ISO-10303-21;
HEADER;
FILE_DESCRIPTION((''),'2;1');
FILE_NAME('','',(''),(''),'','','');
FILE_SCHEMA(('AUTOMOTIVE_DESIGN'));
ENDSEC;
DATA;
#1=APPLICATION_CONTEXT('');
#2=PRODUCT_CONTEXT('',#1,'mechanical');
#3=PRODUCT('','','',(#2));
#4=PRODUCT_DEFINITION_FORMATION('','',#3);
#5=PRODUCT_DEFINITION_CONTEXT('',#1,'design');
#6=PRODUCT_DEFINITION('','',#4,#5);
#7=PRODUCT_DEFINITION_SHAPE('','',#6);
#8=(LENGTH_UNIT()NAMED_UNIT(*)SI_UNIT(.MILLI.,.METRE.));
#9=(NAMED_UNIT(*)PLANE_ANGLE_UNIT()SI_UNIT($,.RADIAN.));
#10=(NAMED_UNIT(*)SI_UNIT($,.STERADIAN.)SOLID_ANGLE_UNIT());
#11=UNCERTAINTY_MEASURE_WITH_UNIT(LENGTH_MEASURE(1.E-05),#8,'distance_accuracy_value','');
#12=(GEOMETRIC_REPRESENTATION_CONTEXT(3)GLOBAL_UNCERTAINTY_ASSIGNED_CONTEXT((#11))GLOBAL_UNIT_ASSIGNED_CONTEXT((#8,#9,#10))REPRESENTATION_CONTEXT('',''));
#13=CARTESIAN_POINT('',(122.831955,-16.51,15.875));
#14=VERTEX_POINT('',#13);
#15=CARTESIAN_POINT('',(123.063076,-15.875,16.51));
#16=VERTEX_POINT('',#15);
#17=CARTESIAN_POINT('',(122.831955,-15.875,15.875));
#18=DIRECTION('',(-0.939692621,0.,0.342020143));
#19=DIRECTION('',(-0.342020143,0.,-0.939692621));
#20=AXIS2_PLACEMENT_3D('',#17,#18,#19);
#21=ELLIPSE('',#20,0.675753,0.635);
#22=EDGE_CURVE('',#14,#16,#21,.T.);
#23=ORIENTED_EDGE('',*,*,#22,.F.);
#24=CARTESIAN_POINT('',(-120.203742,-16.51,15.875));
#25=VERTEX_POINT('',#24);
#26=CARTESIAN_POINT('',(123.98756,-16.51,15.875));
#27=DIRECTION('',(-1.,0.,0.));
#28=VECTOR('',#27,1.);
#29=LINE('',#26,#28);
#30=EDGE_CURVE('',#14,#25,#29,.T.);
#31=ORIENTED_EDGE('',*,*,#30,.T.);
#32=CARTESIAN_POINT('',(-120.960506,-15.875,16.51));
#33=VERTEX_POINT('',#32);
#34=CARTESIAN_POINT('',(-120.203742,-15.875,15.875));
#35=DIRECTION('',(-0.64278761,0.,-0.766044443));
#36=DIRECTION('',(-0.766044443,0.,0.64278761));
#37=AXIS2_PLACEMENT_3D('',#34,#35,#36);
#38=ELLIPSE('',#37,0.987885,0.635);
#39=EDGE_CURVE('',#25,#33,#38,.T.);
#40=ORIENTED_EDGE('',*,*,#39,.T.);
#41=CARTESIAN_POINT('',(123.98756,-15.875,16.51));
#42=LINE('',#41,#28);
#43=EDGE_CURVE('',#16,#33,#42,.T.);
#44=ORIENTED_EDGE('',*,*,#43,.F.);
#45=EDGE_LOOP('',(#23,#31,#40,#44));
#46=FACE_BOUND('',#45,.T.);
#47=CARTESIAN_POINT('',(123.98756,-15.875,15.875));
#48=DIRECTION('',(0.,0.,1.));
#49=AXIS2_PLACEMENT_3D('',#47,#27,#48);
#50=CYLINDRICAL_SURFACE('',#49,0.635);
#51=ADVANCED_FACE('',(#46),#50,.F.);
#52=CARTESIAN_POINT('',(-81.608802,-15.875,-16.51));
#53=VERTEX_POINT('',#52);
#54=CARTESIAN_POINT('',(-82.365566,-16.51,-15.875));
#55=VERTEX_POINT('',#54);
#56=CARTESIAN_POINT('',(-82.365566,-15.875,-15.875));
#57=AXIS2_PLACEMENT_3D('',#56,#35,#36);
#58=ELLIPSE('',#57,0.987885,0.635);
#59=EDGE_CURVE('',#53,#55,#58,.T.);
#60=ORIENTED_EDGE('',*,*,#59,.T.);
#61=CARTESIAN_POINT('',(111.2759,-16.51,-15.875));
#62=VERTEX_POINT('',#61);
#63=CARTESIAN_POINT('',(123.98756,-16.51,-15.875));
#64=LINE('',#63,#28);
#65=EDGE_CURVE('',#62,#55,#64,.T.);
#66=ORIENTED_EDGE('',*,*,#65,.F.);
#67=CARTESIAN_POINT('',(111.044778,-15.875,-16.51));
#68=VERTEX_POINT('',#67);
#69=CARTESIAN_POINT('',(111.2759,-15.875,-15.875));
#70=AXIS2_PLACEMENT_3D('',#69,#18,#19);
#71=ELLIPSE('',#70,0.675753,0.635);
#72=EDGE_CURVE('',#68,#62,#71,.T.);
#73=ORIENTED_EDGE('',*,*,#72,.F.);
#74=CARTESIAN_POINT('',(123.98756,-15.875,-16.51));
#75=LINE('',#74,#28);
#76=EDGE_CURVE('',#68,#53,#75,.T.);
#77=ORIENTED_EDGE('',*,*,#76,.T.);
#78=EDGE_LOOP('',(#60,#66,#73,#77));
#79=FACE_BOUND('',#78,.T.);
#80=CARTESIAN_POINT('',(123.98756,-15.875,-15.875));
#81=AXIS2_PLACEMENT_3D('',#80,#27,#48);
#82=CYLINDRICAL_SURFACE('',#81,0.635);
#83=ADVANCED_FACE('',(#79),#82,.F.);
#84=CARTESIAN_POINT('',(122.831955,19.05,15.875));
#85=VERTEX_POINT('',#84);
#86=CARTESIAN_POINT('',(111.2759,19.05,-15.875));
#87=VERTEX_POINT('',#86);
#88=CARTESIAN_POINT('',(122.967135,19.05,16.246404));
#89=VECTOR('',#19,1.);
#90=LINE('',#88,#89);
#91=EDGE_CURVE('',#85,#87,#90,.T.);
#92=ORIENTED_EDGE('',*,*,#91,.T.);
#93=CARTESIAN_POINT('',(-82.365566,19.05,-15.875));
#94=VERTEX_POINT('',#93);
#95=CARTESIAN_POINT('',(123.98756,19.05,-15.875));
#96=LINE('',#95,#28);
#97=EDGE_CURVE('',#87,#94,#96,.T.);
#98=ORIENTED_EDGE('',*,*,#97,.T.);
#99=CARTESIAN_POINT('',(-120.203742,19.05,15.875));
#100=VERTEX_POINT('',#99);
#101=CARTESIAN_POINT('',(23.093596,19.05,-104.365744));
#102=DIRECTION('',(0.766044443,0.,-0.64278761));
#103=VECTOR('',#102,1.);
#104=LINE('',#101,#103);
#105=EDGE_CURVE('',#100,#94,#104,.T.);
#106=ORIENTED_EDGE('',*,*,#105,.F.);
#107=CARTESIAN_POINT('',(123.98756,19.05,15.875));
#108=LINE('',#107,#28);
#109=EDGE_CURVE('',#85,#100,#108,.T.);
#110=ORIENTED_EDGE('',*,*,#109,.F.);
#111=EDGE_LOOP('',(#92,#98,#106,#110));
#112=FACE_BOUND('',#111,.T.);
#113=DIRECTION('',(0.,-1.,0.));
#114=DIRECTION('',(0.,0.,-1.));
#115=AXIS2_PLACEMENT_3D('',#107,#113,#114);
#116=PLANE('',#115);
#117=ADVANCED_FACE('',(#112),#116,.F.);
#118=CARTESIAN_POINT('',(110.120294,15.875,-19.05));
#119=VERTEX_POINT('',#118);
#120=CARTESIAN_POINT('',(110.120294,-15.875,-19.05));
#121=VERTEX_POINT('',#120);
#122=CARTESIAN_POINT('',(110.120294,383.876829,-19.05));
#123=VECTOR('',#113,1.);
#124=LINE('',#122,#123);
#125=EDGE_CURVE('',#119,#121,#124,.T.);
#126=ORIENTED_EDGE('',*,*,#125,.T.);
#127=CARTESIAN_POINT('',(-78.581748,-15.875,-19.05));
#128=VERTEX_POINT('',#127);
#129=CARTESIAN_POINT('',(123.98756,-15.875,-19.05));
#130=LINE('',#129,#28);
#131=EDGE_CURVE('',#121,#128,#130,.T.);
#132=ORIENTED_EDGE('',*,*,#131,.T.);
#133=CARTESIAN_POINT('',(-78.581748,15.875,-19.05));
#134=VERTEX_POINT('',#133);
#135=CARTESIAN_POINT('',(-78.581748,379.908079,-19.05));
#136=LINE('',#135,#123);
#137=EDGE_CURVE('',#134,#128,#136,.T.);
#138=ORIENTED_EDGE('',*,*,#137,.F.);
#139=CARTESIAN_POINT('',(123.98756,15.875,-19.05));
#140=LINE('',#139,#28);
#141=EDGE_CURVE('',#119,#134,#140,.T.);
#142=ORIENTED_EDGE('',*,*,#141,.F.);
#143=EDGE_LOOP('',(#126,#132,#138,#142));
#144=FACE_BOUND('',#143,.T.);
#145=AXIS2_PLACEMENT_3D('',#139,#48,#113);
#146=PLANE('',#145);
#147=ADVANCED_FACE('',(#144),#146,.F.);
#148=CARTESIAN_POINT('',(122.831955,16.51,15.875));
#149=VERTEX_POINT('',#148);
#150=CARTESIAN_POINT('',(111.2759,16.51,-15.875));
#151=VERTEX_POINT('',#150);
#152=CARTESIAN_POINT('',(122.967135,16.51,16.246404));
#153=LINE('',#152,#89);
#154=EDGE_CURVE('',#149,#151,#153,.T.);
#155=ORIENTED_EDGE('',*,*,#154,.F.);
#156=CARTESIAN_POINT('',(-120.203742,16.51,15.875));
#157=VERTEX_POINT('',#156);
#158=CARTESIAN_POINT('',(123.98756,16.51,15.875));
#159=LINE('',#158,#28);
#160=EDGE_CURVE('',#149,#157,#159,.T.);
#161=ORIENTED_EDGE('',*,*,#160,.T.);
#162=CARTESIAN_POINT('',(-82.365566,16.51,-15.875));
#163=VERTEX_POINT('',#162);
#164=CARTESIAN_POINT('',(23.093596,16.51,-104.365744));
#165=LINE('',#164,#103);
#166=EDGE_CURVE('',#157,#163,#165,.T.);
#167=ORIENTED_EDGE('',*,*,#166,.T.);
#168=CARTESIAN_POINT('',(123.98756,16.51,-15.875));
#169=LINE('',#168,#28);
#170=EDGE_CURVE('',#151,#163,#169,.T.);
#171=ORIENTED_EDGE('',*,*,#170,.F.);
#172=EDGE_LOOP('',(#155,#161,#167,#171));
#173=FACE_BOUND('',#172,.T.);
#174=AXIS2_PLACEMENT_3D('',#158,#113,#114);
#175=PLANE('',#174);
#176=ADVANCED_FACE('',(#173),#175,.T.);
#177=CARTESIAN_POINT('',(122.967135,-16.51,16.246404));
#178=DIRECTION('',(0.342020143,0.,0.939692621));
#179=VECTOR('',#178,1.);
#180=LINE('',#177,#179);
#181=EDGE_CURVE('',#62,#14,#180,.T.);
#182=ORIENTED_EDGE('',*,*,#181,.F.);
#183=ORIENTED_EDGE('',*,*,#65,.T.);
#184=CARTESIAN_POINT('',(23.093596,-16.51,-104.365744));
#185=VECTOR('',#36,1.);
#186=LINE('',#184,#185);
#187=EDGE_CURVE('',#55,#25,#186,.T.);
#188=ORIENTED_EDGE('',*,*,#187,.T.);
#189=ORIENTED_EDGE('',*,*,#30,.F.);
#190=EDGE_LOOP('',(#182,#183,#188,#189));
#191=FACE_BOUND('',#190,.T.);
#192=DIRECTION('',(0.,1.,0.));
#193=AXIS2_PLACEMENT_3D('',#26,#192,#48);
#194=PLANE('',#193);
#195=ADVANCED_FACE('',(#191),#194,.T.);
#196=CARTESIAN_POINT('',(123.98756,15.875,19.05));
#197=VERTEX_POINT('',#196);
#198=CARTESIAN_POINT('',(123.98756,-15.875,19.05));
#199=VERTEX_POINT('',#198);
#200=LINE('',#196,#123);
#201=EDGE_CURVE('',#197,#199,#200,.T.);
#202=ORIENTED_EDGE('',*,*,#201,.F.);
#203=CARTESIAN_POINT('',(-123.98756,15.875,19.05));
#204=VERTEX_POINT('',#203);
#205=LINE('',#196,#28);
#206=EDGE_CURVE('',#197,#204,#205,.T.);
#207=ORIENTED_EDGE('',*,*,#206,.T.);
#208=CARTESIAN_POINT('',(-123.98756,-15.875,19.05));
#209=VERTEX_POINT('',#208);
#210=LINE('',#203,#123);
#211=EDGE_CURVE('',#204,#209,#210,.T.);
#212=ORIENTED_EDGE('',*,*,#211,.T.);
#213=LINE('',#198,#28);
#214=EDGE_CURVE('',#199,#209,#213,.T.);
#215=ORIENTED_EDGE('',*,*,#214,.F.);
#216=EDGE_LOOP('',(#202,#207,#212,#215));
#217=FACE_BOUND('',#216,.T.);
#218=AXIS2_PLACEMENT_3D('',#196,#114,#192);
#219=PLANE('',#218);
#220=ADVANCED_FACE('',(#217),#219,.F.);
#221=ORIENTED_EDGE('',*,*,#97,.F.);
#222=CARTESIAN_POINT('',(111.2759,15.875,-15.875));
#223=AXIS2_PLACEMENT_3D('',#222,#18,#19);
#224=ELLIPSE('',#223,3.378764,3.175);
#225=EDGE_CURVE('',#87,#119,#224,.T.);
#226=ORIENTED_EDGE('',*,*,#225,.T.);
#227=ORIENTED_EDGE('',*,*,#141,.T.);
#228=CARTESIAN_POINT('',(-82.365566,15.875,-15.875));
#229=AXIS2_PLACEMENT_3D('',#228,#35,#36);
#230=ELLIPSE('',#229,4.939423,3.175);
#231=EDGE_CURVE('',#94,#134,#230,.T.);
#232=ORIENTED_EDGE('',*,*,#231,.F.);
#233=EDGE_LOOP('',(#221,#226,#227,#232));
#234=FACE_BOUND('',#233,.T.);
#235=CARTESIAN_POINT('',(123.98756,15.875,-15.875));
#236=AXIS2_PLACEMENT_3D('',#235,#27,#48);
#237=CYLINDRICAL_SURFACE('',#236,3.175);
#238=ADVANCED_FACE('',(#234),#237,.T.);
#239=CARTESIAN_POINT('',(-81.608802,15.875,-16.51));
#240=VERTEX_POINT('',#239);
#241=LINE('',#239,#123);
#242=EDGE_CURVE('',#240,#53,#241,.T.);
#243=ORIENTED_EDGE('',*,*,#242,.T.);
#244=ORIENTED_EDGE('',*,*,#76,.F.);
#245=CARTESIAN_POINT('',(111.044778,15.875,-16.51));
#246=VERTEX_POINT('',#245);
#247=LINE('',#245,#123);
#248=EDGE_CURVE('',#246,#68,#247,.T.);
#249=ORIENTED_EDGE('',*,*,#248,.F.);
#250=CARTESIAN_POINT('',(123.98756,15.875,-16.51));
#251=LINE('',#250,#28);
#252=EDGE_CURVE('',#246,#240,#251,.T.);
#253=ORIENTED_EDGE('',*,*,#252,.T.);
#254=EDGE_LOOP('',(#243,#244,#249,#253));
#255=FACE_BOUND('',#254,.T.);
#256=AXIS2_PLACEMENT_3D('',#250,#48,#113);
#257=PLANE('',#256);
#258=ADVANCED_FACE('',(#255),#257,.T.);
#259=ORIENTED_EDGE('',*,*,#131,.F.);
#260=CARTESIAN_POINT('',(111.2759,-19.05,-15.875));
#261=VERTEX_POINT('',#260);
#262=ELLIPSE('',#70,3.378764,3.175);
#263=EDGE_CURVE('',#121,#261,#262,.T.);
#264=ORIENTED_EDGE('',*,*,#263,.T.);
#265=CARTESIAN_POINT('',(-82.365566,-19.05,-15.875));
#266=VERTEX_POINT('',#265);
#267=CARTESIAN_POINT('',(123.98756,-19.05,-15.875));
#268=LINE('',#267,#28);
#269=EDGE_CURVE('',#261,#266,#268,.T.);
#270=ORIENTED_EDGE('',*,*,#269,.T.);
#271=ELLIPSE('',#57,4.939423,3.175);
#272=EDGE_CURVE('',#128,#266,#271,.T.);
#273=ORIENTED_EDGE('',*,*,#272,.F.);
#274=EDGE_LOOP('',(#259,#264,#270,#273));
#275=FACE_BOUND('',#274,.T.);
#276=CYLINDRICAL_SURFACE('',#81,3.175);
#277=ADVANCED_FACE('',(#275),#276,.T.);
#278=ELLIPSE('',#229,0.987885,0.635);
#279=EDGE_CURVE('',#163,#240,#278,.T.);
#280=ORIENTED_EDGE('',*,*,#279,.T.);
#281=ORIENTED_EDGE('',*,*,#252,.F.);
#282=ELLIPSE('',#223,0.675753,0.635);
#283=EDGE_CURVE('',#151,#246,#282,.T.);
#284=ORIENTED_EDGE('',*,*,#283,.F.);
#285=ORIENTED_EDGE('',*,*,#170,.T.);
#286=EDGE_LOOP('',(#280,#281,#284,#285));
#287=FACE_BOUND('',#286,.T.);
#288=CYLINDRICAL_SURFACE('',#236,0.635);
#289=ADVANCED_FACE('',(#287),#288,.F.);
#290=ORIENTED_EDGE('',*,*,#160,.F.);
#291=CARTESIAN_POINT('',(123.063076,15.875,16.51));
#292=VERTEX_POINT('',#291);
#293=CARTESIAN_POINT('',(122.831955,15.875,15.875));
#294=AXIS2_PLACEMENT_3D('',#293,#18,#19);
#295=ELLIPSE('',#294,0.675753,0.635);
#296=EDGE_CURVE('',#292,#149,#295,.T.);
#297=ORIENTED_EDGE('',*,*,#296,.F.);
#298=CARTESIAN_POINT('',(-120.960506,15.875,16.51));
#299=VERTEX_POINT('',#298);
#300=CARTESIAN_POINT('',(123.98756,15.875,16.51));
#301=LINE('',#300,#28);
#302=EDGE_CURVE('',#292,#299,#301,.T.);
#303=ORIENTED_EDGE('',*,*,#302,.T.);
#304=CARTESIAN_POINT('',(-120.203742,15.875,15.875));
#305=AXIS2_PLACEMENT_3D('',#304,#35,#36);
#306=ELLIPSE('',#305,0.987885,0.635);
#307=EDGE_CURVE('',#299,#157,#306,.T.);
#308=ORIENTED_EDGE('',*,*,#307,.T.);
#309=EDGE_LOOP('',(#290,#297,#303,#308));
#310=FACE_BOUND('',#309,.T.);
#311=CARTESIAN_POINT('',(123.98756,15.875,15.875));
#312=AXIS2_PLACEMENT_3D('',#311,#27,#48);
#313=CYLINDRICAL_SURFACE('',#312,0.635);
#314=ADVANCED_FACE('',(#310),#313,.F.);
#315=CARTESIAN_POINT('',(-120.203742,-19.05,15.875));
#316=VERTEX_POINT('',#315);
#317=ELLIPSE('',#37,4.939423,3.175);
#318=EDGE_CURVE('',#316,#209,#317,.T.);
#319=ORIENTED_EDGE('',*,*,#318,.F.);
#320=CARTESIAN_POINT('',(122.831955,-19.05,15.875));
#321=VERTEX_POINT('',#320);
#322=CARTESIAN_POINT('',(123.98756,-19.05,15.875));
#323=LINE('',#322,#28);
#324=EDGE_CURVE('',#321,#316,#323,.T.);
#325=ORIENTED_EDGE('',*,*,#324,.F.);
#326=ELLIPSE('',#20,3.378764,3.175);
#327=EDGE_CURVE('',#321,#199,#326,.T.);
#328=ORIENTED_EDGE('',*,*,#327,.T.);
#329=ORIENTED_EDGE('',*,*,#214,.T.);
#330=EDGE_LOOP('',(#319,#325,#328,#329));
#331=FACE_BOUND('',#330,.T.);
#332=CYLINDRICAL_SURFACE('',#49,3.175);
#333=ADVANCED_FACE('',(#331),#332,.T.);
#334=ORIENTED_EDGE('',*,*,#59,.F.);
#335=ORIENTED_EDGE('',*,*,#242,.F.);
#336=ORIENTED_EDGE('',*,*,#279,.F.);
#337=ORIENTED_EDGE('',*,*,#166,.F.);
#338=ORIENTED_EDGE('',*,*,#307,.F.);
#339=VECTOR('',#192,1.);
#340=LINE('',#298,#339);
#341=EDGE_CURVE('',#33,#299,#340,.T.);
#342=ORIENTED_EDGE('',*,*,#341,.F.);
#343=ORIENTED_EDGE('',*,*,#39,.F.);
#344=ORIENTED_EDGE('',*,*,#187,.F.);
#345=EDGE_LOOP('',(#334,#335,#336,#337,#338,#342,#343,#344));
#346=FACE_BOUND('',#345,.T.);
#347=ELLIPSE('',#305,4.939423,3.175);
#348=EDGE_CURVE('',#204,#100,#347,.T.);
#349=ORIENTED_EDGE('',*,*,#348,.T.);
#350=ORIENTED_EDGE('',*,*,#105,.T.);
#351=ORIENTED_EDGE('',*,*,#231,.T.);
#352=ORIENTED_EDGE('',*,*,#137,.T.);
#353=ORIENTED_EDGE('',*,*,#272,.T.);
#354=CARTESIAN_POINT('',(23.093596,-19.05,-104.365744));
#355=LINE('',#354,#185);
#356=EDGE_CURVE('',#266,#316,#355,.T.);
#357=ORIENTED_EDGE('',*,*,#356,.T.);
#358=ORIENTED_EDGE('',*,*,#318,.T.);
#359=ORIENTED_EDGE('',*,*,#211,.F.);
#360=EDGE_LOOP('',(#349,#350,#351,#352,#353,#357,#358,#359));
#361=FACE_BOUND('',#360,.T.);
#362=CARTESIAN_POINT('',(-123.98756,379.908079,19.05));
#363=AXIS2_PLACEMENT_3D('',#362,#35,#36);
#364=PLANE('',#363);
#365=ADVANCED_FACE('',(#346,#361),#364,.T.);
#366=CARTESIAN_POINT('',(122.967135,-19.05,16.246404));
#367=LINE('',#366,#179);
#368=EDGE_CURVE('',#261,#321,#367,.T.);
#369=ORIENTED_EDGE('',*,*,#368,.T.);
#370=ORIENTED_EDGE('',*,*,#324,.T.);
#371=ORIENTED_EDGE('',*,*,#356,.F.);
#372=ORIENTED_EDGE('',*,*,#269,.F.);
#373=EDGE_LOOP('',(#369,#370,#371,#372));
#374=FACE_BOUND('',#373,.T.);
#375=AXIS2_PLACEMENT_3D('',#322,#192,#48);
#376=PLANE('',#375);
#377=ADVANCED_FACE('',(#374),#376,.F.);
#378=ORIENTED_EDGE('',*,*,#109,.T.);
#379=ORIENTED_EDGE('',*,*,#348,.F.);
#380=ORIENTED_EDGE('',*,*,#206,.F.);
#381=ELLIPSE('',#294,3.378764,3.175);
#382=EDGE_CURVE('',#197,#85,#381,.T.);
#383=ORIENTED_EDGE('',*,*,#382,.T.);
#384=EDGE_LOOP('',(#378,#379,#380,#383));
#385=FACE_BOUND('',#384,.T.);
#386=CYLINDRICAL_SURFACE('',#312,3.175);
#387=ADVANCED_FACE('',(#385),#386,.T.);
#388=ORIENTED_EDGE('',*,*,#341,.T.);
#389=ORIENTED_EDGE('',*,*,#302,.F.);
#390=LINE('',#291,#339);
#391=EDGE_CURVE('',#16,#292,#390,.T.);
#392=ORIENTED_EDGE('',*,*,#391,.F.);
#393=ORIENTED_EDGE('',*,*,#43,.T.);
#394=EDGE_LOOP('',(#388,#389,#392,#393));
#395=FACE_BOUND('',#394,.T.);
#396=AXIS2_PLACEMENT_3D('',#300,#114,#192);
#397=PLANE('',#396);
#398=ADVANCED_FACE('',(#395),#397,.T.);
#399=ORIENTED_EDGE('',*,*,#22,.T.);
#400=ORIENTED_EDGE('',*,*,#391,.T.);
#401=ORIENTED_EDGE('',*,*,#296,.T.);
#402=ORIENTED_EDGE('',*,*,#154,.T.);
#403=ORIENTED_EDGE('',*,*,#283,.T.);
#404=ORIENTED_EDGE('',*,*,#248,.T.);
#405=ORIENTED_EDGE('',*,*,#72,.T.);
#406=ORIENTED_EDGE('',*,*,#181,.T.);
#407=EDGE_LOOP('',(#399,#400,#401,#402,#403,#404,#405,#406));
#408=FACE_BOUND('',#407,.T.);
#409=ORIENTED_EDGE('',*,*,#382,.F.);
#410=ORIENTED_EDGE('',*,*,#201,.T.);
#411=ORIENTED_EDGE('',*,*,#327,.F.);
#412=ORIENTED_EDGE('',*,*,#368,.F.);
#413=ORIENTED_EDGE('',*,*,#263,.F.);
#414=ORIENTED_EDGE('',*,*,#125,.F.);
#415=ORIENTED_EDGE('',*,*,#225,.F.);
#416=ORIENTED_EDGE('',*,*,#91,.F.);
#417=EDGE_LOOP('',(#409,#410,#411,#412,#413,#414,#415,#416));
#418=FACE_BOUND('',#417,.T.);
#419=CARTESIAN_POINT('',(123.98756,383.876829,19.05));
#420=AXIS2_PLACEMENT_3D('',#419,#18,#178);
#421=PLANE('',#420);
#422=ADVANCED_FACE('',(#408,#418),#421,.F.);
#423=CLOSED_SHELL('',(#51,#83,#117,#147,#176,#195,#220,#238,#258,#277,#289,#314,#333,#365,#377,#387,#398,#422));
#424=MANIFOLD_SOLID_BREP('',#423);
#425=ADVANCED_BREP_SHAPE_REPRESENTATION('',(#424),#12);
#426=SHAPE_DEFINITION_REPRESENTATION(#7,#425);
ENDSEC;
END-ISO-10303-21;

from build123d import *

# Parameters (mm, degrees)
EXTRUDE_THIN1_DEPTH     = 123.98756
CUT_EXTRUDE1_DEPTH      = 1
CUT_EXTRUDE1_DEPTH_BACK = 39.1
CUT_EXTRUDE2_DEPTH      = 1
CUT_EXTRUDE2_DEPTH_BACK = 39.1


with BuildPart() as part:
    # Sketch1 → Extrude-Thin1 (new body, symmetric)
    with BuildSketch(Plane(origin=(0, 0, 0), x_dir=(0, 0, -1), z_dir=(1, 0, 0))):
        with BuildLine():
            Line((-15.875, 19.05), (15.875, 19.05))
            ThreePointArc((15.875, 19.05), (18.12006403, 18.12006403), (19.05, 15.875))
            Line((19.05, 15.875), (19.05, -15.875))
            ThreePointArc((19.05, -15.875), (18.12006403, -18.12006403), (15.875, -19.05))
            Line((15.875, -19.05), (-15.875, -19.05))
            ThreePointArc((-15.875, -19.05), (-18.12006403, -18.12006403), (-19.05, -15.875))
            Line((-19.05, -15.875), (-19.05, 15.875))
            ThreePointArc((-19.05, 15.875), (-18.12006403, 18.12006403), (-15.875, 19.05))
        make_face()
        with BuildLine():
            Line((-15.875, 16.51), (15.875, 16.51))
            ThreePointArc((15.875, 16.51), (16.324012806, 16.324012806), (16.51, 15.875))
            Line((16.51, 15.875), (16.51, -15.875))
            ThreePointArc((16.51, -15.875), (16.324012806, -16.324012806), (15.875, -16.51))
            Line((15.875, -16.51), (-15.875, -16.51))
            ThreePointArc((-15.875, -16.51), (-16.324012806, -16.324012806), (-16.51, -15.875))
            Line((-16.51, -15.875), (-16.51, 15.875))
            ThreePointArc((-16.51, 15.875), (-16.324012806, 16.324012806), (-15.875, 16.51))
        make_face(mode=Mode.SUBTRACT)
    extrude(amount=EXTRUDE_THIN1_DEPTH, both=True)

    # Sketch3 → Cut-Extrude1 (cut, two sides)
    with BuildSketch(Plane(origin=(0, 19.05, 0), x_dir=(1, 0, 0), z_dir=(0, 1, 0))) as cut_extrude1_sk:
        Polygon((299.02319091, -499.956443526), (123.98756, -19.05), (110.120294074, 19.05), (-64.915336836, 499.956443526), (896.897550216, 850.027705346), (1260.836077962, -149.885181705), align=None)
    extrude(amount=CUT_EXTRUDE1_DEPTH, mode=Mode.SUBTRACT)
    extrude(cut_extrude1_sk.sketch, amount=-CUT_EXTRUDE1_DEPTH_BACK, mode=Mode.SUBTRACT)

    # Sketch4 → Cut-Extrude2 (cut, two sides)
    with BuildSketch(Plane(origin=(0, 19.05, 0), x_dir=(1, 0, 0), z_dir=(0, 1, 0))) as cut_extrude2_sk:
        Polygon((-516.026084699, -348.009381482), (-123.98756, -19.05), (-78.581748122, 19.05), (313.456776576, 348.009381482), (-344.461986387, 1132.086430879), (-1173.944847663, 436.067667915), align=None)
    extrude(amount=CUT_EXTRUDE2_DEPTH, mode=Mode.SUBTRACT)
    extrude(cut_extrude2_sk.sketch, amount=-CUT_EXTRUDE2_DEPTH_BACK, mode=Mode.SUBTRACT)


solid = part.part
